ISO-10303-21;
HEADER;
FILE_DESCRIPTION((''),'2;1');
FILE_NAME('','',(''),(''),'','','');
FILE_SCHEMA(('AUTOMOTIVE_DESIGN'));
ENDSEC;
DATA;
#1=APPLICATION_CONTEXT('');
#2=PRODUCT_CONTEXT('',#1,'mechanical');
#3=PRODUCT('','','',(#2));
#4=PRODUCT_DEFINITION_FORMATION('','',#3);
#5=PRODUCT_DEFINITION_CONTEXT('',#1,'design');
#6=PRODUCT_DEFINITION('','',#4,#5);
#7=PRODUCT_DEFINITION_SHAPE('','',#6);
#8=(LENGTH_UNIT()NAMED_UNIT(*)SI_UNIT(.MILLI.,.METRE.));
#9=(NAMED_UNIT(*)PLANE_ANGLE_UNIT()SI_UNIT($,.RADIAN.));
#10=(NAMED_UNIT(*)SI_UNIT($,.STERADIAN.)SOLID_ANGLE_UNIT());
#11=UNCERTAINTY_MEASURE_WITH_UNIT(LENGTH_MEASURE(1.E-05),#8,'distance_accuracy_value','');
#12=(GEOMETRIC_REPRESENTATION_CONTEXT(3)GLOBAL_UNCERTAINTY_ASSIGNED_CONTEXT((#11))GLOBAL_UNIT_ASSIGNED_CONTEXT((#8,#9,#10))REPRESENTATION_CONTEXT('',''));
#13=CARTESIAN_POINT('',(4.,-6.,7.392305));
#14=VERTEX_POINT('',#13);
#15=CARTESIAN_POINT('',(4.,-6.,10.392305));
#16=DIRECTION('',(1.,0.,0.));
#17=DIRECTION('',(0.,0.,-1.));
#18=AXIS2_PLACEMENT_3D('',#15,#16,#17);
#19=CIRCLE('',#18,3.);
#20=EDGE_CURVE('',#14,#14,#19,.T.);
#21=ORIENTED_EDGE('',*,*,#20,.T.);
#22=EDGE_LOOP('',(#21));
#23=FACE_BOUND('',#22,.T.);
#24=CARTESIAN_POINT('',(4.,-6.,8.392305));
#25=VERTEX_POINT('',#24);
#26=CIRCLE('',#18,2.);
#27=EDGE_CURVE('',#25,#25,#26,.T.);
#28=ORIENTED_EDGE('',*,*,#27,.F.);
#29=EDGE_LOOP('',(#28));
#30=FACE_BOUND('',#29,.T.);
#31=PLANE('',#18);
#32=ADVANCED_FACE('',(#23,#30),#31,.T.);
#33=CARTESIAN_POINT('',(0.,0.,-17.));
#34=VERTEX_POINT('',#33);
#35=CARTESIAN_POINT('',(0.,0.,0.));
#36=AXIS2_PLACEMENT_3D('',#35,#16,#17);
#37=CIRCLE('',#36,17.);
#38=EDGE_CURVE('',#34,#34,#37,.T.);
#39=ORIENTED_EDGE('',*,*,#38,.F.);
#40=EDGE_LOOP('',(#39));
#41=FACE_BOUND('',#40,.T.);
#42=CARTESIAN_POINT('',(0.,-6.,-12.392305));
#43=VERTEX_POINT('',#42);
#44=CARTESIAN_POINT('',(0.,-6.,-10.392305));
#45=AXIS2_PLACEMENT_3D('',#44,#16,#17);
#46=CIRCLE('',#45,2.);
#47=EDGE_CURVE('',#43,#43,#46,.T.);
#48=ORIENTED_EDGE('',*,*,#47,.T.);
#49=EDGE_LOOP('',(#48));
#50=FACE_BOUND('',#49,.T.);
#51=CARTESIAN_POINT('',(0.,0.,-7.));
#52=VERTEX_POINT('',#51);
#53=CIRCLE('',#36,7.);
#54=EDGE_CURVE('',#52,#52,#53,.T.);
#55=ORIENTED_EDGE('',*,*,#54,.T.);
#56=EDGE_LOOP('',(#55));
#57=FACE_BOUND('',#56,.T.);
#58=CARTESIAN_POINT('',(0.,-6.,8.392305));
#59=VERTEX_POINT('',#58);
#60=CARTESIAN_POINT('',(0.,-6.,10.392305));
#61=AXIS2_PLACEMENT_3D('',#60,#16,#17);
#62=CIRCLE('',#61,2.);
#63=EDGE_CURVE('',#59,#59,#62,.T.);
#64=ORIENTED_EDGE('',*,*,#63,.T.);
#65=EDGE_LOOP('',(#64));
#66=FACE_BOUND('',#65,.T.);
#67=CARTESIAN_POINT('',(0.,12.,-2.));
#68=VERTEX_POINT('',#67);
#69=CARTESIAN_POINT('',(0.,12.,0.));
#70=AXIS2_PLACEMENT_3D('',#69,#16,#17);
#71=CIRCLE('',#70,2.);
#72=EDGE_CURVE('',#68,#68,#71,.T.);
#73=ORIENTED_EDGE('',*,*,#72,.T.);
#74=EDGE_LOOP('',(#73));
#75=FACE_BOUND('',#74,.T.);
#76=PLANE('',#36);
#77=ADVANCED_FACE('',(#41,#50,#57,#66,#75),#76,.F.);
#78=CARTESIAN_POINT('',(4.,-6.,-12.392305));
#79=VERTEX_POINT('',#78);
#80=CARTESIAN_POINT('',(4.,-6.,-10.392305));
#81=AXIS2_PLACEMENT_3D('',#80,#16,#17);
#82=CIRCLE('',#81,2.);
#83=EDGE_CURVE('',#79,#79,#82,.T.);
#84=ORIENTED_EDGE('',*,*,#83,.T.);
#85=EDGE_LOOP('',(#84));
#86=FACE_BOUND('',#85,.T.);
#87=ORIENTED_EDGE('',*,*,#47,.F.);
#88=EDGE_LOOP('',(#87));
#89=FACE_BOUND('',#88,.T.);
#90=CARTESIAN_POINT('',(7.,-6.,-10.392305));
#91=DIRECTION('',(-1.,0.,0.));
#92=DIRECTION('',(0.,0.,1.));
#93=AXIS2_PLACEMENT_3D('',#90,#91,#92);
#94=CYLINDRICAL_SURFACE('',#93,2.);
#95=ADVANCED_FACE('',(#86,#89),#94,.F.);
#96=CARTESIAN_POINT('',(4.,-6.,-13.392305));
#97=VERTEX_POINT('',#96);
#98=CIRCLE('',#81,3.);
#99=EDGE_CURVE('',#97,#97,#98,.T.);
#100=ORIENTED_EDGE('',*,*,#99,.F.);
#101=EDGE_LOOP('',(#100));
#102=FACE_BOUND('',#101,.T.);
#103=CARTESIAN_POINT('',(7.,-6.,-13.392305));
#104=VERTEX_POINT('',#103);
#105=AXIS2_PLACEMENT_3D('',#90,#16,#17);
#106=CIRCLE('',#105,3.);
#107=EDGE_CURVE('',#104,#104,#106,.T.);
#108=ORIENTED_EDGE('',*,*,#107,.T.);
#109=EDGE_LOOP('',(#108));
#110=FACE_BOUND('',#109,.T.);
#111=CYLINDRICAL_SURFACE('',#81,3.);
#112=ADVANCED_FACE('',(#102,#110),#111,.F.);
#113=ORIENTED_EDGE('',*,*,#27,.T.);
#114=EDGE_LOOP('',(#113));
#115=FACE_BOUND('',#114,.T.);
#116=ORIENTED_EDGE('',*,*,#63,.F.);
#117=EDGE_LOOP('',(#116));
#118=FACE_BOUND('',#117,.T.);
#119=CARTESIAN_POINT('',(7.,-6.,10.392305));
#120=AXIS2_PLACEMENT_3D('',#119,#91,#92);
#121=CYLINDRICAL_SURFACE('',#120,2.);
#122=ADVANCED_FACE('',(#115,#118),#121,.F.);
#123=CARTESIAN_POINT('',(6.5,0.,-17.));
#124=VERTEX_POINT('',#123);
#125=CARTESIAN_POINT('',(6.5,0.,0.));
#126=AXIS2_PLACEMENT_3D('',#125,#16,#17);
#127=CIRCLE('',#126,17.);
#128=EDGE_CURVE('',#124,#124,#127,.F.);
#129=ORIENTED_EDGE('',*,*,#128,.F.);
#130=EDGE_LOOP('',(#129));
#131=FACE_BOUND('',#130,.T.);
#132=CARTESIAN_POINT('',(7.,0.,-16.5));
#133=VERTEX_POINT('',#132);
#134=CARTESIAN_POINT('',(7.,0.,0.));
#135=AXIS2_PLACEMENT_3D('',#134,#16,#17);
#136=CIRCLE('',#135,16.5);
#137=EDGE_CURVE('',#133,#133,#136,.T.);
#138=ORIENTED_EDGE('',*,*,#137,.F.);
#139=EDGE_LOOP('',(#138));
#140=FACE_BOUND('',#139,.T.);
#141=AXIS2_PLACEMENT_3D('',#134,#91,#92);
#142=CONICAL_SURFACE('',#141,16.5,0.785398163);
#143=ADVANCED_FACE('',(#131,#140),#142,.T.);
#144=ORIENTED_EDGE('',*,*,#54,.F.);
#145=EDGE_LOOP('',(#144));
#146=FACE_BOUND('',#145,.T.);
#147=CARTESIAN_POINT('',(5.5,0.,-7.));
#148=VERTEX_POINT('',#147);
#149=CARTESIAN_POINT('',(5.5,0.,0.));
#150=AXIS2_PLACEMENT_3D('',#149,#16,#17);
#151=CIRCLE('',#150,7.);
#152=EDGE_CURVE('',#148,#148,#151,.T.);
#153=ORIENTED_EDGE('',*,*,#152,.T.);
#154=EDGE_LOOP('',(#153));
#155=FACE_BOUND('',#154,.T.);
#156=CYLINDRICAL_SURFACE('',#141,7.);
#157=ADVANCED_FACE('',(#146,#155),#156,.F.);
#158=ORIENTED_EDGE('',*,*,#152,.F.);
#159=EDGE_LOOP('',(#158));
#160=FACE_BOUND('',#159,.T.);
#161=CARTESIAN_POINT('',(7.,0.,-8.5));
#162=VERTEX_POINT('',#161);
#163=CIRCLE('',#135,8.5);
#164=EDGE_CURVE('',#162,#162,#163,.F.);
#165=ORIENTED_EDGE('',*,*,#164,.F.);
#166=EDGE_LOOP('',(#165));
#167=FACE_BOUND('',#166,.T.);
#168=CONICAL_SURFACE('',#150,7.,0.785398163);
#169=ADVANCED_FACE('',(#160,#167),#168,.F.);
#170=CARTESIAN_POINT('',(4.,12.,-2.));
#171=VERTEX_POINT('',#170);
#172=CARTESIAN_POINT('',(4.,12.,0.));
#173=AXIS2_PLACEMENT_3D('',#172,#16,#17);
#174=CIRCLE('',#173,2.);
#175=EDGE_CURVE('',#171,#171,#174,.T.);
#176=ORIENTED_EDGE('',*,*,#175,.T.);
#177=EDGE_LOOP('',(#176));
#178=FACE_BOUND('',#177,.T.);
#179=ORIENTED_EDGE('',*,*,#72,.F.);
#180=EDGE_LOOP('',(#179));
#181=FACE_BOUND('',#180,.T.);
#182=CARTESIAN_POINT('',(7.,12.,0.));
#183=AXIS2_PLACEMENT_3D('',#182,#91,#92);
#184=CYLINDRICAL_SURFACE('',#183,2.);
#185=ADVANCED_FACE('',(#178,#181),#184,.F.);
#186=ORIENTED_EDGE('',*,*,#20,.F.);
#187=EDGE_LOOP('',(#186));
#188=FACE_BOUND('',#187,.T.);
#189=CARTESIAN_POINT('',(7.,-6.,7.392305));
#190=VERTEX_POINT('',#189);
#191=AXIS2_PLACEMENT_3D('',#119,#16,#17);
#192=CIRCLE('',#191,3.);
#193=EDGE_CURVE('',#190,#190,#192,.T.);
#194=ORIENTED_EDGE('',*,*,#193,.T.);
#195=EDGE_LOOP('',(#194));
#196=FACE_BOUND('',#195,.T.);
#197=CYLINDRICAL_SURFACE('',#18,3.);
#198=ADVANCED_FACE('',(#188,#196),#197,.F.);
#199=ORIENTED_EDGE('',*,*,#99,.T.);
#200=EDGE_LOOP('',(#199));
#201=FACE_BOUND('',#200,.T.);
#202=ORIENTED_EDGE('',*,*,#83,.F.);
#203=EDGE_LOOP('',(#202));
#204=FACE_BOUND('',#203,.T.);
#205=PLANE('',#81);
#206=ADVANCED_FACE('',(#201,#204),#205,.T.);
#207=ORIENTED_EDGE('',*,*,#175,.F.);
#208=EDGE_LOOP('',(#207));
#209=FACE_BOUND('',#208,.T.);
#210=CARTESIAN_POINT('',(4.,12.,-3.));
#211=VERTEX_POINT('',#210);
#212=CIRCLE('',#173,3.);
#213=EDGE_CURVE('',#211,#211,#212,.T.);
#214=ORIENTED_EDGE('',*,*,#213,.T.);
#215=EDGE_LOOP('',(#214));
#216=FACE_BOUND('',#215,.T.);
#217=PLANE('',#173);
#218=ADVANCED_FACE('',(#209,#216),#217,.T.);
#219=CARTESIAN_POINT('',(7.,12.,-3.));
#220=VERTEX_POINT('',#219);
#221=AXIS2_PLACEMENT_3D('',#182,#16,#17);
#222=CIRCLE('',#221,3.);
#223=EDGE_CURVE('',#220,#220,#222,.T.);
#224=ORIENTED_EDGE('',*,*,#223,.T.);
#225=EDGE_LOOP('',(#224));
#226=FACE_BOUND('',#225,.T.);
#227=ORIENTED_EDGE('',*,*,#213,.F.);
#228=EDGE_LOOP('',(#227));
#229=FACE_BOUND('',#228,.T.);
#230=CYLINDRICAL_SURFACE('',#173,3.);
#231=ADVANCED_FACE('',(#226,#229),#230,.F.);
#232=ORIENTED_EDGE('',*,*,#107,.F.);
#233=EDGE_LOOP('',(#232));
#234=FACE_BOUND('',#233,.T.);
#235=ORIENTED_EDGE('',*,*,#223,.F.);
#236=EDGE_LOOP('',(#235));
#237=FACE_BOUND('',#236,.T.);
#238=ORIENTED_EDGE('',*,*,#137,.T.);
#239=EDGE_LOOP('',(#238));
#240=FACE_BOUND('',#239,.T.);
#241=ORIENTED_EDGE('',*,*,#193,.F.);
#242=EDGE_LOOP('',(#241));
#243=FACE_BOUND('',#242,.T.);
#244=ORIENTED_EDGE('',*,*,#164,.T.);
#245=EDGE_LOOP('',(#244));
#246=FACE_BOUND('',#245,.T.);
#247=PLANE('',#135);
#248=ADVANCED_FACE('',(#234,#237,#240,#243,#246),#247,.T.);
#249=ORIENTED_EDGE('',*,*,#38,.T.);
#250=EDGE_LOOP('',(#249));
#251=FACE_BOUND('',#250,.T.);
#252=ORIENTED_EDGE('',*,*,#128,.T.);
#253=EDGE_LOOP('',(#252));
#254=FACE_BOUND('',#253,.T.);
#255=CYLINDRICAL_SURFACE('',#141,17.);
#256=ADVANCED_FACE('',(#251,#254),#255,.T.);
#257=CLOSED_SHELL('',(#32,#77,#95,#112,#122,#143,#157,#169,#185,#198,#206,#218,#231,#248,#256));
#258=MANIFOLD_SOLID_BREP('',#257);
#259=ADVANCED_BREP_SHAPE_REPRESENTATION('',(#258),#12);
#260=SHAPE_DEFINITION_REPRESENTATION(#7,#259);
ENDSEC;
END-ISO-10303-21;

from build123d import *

# Parameters (mm, degrees)
SKETCH_1_R          = 17
SKETCH_1_R_2        = 7
SKETCH_1_R_3        = 2
EXTRUDE_1_DEPTH     = 7
SKETCH_2_R          = 3
CUT_EXTRUDE_1_DEPTH = 3
CHAMFER_1_SIZE      = 1.5
CHAMFER_2_SIZE      = 0.5


with BuildPart() as part:
    # 草图1 → 凸台-拉伸1 (new body)
    with BuildSketch(Plane(origin=(0, 0, 0), x_dir=(0, 0, -1), z_dir=(1, 0, 0))):
        Circle(SKETCH_1_R)
        Circle(SKETCH_1_R_2, mode=Mode.SUBTRACT)
        with Locations((0, 12)):
            Circle(SKETCH_1_R_3, mode=Mode.SUBTRACT)
        with Locations((10.392304845, -6)):
            Circle(SKETCH_1_R_3, mode=Mode.SUBTRACT)
        with Locations((-10.392304845, -6)):
            Circle(SKETCH_1_R_3, mode=Mode.SUBTRACT)
    extrude(amount=EXTRUDE_1_DEPTH)

    # 草图2 → 切除-拉伸1 (cut)
    with BuildSketch(Plane(origin=(7, 0, 0), x_dir=(0, 0, -1), z_dir=(1, 0, 0))):
        with Locations((0, 12)):
            Circle(SKETCH_2_R)
        with Locations((10.392304845, -6)):
            Circle(SKETCH_2_R)
        with Locations((-10.392304845, -6)):
            Circle(SKETCH_2_R)
    extrude(amount=-CUT_EXTRUDE_1_DEPTH, mode=Mode.SUBTRACT)

    # 倒角1
    chamfer_1_edges = [part.edges().sort_by_distance(p)[0] for p in [
        (7, 0, 7),
    ]]
    chamfer(chamfer_1_edges, length=CHAMFER_1_SIZE)

    # 倒角2
    chamfer_2_edges = [part.edges().sort_by_distance(p)[0] for p in [
        (7, 0, 17),
    ]]
    chamfer(chamfer_2_edges, length=CHAMFER_2_SIZE)


solid = part.part
